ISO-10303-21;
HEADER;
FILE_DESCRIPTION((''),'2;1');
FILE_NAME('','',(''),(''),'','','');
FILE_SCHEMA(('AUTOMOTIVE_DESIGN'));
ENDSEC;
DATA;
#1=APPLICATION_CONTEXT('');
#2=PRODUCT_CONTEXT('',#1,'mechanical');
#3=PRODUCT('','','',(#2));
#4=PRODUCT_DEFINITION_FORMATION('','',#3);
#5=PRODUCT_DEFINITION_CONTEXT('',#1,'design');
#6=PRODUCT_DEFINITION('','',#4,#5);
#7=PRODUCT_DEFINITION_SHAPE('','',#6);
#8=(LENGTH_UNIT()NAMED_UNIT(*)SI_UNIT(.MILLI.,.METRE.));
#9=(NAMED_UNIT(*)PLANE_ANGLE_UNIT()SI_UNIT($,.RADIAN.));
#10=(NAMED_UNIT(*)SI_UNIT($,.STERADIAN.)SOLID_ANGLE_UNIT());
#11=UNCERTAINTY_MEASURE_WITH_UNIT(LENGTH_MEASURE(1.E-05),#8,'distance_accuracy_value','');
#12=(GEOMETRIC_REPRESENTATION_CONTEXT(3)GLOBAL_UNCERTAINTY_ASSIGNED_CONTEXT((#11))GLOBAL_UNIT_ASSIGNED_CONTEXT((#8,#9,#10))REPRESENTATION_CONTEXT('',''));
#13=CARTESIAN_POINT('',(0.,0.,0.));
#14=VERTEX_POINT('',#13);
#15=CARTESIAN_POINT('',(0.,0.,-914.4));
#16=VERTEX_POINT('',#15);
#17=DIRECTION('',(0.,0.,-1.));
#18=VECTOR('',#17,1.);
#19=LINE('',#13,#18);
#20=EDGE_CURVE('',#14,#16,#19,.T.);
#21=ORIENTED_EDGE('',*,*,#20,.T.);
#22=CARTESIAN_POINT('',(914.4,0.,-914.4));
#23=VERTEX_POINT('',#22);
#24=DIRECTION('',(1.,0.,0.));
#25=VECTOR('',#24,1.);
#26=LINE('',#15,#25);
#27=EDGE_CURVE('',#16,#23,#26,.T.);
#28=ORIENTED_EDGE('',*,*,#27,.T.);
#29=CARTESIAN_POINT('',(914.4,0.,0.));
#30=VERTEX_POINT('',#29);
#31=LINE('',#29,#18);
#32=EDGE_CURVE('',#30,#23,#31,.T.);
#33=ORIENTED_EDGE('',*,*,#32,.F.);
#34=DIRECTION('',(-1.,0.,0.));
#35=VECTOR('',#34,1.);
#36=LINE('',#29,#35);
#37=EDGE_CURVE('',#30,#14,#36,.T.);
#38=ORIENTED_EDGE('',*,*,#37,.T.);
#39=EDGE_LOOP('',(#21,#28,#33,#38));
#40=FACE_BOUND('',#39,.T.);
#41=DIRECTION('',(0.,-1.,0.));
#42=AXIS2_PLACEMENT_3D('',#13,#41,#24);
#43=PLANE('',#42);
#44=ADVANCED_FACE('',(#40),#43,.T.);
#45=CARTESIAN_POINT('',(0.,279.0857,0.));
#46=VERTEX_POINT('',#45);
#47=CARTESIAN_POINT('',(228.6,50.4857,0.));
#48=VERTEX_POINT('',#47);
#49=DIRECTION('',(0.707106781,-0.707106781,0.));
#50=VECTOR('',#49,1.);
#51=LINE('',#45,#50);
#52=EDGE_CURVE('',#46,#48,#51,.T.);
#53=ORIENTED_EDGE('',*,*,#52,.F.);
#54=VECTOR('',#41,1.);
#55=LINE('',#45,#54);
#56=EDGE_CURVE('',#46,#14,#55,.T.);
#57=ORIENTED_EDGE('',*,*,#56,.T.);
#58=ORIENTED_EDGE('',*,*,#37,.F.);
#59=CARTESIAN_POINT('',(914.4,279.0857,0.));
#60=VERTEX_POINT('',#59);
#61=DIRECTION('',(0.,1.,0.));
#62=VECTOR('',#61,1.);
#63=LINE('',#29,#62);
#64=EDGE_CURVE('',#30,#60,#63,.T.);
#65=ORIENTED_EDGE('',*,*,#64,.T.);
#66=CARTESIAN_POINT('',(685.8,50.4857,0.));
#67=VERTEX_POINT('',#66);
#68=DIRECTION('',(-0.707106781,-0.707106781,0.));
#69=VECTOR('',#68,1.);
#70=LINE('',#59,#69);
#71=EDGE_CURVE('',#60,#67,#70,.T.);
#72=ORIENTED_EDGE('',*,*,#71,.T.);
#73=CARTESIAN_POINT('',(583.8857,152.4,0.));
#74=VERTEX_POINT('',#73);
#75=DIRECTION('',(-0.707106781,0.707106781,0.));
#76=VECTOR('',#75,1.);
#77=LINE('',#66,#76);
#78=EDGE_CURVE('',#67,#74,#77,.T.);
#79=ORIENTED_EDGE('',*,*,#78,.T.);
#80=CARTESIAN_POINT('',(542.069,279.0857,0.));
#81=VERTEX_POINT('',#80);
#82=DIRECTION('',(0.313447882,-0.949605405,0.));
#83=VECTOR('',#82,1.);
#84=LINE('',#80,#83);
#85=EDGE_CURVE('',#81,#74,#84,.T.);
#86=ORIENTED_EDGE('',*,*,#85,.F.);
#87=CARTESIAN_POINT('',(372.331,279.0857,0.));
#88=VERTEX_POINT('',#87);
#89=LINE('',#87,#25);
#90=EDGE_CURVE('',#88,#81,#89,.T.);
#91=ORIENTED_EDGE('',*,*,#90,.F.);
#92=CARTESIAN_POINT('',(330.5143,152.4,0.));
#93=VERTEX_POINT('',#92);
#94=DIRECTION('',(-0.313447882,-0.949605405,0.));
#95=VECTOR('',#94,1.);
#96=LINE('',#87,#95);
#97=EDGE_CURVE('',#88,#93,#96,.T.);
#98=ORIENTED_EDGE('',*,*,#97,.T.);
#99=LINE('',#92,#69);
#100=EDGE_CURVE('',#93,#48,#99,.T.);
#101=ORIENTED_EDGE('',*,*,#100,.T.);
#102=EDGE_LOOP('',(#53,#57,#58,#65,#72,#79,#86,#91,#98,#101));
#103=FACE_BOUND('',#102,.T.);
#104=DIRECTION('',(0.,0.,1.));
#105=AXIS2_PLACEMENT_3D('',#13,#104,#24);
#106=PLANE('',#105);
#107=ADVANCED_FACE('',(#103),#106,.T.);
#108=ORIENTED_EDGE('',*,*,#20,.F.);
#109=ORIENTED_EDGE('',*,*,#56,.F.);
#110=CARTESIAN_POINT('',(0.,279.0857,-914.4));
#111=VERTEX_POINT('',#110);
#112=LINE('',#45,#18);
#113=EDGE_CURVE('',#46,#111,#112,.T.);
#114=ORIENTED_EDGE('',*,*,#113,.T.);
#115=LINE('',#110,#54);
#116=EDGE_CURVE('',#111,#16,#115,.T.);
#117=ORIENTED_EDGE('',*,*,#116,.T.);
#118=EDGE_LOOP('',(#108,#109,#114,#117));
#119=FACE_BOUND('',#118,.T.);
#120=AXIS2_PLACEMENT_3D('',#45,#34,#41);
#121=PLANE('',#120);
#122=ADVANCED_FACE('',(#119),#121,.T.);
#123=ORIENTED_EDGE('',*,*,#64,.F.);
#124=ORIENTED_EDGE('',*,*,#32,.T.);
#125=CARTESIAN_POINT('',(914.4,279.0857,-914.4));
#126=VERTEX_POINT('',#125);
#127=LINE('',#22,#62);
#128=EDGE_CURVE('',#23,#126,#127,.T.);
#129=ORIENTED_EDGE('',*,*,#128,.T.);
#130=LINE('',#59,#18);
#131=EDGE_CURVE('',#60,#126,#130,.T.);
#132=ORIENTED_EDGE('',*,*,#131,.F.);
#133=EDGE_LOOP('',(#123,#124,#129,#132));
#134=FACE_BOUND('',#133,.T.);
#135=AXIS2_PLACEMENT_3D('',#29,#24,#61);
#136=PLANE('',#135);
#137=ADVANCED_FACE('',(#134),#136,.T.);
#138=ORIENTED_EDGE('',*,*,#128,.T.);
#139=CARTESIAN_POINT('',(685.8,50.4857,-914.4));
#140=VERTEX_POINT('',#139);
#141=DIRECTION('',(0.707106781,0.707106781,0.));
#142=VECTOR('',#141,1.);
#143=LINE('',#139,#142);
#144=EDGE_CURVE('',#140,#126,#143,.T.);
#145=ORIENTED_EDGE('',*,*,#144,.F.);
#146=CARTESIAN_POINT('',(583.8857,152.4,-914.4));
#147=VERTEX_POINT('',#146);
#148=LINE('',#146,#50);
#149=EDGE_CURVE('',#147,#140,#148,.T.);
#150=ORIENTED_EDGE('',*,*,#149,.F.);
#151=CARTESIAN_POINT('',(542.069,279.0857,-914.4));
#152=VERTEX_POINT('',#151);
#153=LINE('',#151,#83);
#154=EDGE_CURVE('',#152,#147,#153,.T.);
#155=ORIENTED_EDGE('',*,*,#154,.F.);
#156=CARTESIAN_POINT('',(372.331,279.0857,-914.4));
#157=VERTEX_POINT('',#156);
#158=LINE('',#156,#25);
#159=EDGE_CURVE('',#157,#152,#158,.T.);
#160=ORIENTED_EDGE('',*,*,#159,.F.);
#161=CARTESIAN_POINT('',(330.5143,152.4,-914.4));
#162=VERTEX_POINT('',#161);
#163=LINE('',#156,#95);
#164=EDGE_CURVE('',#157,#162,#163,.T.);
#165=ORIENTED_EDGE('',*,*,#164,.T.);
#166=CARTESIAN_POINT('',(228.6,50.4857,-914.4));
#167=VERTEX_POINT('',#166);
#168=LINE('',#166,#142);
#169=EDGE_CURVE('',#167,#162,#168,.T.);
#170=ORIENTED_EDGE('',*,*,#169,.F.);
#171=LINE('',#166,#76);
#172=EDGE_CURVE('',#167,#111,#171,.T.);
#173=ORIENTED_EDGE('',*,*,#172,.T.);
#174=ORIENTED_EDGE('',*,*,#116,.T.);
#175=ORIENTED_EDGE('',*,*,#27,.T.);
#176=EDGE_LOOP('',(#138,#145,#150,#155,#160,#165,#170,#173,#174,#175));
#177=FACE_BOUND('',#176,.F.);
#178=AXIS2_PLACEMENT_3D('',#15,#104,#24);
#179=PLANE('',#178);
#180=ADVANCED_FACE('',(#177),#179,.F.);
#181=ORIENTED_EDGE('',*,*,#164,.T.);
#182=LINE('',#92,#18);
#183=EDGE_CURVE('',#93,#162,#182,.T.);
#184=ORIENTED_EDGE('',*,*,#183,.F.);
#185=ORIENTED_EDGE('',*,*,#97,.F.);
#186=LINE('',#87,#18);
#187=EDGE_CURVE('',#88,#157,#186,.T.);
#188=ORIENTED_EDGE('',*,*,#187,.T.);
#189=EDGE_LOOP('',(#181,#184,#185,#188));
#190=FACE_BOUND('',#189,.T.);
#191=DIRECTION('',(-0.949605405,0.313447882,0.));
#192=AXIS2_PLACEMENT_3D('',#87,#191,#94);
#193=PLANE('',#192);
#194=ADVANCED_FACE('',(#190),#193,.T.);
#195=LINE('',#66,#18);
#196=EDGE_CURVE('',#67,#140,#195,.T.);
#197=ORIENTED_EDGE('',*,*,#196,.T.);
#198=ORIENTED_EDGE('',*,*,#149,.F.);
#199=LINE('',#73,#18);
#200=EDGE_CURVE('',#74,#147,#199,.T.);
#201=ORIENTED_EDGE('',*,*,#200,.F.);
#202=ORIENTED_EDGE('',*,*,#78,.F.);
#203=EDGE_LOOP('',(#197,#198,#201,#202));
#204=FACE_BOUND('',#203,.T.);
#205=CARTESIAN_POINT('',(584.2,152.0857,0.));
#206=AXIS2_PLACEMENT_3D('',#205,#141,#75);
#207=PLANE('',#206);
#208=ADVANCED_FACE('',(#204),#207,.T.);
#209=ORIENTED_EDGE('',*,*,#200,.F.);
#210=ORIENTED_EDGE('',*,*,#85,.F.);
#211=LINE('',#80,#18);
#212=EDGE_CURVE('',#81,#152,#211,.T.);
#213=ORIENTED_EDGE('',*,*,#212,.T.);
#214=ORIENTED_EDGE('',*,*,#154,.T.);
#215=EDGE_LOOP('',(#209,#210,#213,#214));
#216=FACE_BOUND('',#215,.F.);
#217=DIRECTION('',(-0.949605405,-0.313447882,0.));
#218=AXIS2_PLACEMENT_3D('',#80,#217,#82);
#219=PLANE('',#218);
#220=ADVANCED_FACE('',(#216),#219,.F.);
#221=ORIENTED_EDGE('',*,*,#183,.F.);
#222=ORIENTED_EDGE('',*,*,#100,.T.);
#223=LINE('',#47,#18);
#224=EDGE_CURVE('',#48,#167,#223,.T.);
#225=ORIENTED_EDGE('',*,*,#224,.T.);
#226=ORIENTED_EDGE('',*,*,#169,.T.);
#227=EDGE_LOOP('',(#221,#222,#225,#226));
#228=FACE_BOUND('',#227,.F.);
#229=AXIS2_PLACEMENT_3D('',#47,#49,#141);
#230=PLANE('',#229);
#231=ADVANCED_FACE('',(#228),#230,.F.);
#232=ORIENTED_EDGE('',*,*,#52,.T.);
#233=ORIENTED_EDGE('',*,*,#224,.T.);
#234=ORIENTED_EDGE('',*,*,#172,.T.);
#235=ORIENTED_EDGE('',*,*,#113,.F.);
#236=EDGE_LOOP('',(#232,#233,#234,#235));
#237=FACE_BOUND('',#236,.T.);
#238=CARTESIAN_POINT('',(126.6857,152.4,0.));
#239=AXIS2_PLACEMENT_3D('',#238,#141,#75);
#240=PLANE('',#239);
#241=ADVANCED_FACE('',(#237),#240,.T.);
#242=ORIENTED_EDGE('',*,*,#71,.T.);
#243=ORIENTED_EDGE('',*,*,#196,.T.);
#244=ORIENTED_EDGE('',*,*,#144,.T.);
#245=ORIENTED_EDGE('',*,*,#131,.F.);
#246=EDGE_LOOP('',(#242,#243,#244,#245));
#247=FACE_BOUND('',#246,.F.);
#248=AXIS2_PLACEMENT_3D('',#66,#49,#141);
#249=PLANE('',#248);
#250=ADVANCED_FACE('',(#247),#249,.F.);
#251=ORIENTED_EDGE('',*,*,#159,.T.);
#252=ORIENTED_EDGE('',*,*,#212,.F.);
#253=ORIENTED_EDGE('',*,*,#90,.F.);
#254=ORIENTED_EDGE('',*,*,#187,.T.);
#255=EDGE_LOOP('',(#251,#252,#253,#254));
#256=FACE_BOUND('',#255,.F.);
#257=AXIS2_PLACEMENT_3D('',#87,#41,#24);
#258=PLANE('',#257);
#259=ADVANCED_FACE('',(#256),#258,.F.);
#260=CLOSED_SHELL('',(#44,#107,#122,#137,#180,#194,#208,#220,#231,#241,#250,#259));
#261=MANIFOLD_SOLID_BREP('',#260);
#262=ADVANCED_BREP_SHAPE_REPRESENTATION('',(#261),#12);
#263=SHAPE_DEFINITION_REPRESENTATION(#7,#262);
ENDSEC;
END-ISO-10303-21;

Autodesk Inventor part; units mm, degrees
ref_plane "YZ Plane" through (0, 0, 0) normal (1, 0, 0) x (0, 1, 0)
ref_plane "XZ Plane" through (0, 0, 0) normal (0, 1, 0) x (-1, 0, 0)
ref_plane "XY Plane" through (0, 0, 0) normal (0, 0, 1) x (1, 0, 0)
sketch "Sketch1" plane through (0, 0, 0) normal (0, 0, 1) x (1, 0, 0)
  line L0 (0, 0) -> (914.4, 0)
  line L1 (914.4, 0) -> (914.4, 279.0857)
  line L2 (787.7143, 152.4) -> (126.6857, 152.4)
  line L3 (0, 279.0857) -> (0, 0)
  line L4 (457.2, 0) -> (457.2, 152.4)
  line L5 (685.8, 0) -> (685.8, 152.4)
  line L6 (228.6, 0) -> (228.6, 152.4)
  line L7 (228.6, 50.4857) -> (-130.6102, 409.6959)
  line L8 (228.6, 50.4857) -> (330.5143, 152.4)
  line L9 (685.8, 50.4857) -> (583.8857, 152.4)
  line L10 (685.8, 50.4857) -> (1045.0102, 409.6959)
  line L11 (330.2, 0) -> (330.2, 152.0857)
  line L12 (127, 0) -> (127, 152.4)
  line L13 (584.2, 0) -> (584.2, 152.0857)
  line L14 (787.4, 0) -> (787.4, 152.4)
  line L15 (372.331, 279.0857) -> (542.069, 279.0857)
  line L16 (372.331, 279.0857) -> (330.5143, 152.4)
  line L17 (542.069, 279.0857) -> (583.8857, 152.4)
  point P0 (330.2, 152.4)
  dimension "d18" = 101.6
  dimension "d19" = 101.6
  dimension "d20" = 101.6
  dimension "d21" = 101.6
extrude "Extrusion1" add sketch "Sketch1" against normal blind 914.4 contours L3 L7 L12 L0 | L12 L7 L6 L0 | L6 L8 L11 L0 | L11 L8 L2 L4 L0 | L4 L2 L9 L13 L0 | L13 L9 L5 L0 | L2 L16 L15 L17 | L5 L10 L14 L0 | L14 L10 L1 L0
extrude "Extrusion2" add sketch "Sketch1" against normal blind 914.4 contours L2 L16 L15 L17
sketch "Sketch2" plane through (372.331, 279.0857, 0) normal (0, 1, 0) x (1, 0, 0)
  line L0 (169.738, 0) -> (0, 0) projected
  line L1 (84.869, 0) -> (84.869, 457.2)
  line L2 (-245.331, 787.4) -> (415.069, 787.4)
  line L3 (415.069, 787.4) -> (415.069, 127)
  line L4 (415.069, 127) -> (-245.331, 127)
  line L5 (-245.331, 127) -> (-245.331, 787.4)
  line L6 (27.719, 514.35) -> (142.019, 514.35)
  line L7 (142.019, 514.35) -> (142.019, 400.05)
  line L8 (142.019, 400.05) -> (27.719, 400.05)
  line L9 (27.719, 400.05) -> (27.719, 514.35)
  line L10 (27.719, 514.35) -> (142.019, 400.05) construction
  line L11 (142.019, 514.35) -> (27.719, 400.05) construction
  line L12 (-372.331, 676.5418) -> (515.3678, 914.4) construction
  line L13 (304.2108, 914.4) -> (542.069, 26.7012) construction
  line L14 (542.069, 237.8582) -> (-345.6298, 0) construction
  line L15 (-134.4728, 0) -> (-372.331, 887.6988) construction
  line L16 (-319.5418, 690.6867) -> (489.2797, 223.7133)
  line L17 (14.8748, 497.6112) -> (125.2801, 527.1942)
  line L18 (125.2801, 527.1942) -> (154.8631, 416.7888)
  line L19 (154.8631, 416.7888) -> (44.4578, 387.2058)
  line L20 (44.4578, 387.2058) -> (14.8748, 497.6112)
  line L21 (515.3678, 0) -> (-372.331, 237.8582) construction
  line L22 (-372.331, 26.7012) -> (-134.4728, 914.4) construction
  line L23 (-345.6298, 914.4) -> (542.069, 676.5418) construction
  line L24 (542.069, 887.6988) -> (304.2108, 0) construction
  line L25 (125.2801, 387.2058) -> (14.8748, 416.7888)
  line L26 (14.8748, 416.7888) -> (44.4578, 527.1942)
  line L27 (44.4578, 527.1942) -> (154.8631, 497.6112)
  line L28 (154.8631, 497.6112) -> (125.2801, 387.2058)
  line L29 (142.019, 514.35) -> (27.719, 400.05) construction
  line L30 (-372.331, 0) -> (542.069, 0) projected
  line L31 (-372.331, 914.4) -> (542.069, 914.4)
  line L32 (542.069, 914.4) -> (542.069, 0)
  line L33 (542.069, 0) -> (-372.331, 0)
  line L34 (-372.331, 0) -> (-372.331, 914.4)
properties part number "Drone Charging Base"
